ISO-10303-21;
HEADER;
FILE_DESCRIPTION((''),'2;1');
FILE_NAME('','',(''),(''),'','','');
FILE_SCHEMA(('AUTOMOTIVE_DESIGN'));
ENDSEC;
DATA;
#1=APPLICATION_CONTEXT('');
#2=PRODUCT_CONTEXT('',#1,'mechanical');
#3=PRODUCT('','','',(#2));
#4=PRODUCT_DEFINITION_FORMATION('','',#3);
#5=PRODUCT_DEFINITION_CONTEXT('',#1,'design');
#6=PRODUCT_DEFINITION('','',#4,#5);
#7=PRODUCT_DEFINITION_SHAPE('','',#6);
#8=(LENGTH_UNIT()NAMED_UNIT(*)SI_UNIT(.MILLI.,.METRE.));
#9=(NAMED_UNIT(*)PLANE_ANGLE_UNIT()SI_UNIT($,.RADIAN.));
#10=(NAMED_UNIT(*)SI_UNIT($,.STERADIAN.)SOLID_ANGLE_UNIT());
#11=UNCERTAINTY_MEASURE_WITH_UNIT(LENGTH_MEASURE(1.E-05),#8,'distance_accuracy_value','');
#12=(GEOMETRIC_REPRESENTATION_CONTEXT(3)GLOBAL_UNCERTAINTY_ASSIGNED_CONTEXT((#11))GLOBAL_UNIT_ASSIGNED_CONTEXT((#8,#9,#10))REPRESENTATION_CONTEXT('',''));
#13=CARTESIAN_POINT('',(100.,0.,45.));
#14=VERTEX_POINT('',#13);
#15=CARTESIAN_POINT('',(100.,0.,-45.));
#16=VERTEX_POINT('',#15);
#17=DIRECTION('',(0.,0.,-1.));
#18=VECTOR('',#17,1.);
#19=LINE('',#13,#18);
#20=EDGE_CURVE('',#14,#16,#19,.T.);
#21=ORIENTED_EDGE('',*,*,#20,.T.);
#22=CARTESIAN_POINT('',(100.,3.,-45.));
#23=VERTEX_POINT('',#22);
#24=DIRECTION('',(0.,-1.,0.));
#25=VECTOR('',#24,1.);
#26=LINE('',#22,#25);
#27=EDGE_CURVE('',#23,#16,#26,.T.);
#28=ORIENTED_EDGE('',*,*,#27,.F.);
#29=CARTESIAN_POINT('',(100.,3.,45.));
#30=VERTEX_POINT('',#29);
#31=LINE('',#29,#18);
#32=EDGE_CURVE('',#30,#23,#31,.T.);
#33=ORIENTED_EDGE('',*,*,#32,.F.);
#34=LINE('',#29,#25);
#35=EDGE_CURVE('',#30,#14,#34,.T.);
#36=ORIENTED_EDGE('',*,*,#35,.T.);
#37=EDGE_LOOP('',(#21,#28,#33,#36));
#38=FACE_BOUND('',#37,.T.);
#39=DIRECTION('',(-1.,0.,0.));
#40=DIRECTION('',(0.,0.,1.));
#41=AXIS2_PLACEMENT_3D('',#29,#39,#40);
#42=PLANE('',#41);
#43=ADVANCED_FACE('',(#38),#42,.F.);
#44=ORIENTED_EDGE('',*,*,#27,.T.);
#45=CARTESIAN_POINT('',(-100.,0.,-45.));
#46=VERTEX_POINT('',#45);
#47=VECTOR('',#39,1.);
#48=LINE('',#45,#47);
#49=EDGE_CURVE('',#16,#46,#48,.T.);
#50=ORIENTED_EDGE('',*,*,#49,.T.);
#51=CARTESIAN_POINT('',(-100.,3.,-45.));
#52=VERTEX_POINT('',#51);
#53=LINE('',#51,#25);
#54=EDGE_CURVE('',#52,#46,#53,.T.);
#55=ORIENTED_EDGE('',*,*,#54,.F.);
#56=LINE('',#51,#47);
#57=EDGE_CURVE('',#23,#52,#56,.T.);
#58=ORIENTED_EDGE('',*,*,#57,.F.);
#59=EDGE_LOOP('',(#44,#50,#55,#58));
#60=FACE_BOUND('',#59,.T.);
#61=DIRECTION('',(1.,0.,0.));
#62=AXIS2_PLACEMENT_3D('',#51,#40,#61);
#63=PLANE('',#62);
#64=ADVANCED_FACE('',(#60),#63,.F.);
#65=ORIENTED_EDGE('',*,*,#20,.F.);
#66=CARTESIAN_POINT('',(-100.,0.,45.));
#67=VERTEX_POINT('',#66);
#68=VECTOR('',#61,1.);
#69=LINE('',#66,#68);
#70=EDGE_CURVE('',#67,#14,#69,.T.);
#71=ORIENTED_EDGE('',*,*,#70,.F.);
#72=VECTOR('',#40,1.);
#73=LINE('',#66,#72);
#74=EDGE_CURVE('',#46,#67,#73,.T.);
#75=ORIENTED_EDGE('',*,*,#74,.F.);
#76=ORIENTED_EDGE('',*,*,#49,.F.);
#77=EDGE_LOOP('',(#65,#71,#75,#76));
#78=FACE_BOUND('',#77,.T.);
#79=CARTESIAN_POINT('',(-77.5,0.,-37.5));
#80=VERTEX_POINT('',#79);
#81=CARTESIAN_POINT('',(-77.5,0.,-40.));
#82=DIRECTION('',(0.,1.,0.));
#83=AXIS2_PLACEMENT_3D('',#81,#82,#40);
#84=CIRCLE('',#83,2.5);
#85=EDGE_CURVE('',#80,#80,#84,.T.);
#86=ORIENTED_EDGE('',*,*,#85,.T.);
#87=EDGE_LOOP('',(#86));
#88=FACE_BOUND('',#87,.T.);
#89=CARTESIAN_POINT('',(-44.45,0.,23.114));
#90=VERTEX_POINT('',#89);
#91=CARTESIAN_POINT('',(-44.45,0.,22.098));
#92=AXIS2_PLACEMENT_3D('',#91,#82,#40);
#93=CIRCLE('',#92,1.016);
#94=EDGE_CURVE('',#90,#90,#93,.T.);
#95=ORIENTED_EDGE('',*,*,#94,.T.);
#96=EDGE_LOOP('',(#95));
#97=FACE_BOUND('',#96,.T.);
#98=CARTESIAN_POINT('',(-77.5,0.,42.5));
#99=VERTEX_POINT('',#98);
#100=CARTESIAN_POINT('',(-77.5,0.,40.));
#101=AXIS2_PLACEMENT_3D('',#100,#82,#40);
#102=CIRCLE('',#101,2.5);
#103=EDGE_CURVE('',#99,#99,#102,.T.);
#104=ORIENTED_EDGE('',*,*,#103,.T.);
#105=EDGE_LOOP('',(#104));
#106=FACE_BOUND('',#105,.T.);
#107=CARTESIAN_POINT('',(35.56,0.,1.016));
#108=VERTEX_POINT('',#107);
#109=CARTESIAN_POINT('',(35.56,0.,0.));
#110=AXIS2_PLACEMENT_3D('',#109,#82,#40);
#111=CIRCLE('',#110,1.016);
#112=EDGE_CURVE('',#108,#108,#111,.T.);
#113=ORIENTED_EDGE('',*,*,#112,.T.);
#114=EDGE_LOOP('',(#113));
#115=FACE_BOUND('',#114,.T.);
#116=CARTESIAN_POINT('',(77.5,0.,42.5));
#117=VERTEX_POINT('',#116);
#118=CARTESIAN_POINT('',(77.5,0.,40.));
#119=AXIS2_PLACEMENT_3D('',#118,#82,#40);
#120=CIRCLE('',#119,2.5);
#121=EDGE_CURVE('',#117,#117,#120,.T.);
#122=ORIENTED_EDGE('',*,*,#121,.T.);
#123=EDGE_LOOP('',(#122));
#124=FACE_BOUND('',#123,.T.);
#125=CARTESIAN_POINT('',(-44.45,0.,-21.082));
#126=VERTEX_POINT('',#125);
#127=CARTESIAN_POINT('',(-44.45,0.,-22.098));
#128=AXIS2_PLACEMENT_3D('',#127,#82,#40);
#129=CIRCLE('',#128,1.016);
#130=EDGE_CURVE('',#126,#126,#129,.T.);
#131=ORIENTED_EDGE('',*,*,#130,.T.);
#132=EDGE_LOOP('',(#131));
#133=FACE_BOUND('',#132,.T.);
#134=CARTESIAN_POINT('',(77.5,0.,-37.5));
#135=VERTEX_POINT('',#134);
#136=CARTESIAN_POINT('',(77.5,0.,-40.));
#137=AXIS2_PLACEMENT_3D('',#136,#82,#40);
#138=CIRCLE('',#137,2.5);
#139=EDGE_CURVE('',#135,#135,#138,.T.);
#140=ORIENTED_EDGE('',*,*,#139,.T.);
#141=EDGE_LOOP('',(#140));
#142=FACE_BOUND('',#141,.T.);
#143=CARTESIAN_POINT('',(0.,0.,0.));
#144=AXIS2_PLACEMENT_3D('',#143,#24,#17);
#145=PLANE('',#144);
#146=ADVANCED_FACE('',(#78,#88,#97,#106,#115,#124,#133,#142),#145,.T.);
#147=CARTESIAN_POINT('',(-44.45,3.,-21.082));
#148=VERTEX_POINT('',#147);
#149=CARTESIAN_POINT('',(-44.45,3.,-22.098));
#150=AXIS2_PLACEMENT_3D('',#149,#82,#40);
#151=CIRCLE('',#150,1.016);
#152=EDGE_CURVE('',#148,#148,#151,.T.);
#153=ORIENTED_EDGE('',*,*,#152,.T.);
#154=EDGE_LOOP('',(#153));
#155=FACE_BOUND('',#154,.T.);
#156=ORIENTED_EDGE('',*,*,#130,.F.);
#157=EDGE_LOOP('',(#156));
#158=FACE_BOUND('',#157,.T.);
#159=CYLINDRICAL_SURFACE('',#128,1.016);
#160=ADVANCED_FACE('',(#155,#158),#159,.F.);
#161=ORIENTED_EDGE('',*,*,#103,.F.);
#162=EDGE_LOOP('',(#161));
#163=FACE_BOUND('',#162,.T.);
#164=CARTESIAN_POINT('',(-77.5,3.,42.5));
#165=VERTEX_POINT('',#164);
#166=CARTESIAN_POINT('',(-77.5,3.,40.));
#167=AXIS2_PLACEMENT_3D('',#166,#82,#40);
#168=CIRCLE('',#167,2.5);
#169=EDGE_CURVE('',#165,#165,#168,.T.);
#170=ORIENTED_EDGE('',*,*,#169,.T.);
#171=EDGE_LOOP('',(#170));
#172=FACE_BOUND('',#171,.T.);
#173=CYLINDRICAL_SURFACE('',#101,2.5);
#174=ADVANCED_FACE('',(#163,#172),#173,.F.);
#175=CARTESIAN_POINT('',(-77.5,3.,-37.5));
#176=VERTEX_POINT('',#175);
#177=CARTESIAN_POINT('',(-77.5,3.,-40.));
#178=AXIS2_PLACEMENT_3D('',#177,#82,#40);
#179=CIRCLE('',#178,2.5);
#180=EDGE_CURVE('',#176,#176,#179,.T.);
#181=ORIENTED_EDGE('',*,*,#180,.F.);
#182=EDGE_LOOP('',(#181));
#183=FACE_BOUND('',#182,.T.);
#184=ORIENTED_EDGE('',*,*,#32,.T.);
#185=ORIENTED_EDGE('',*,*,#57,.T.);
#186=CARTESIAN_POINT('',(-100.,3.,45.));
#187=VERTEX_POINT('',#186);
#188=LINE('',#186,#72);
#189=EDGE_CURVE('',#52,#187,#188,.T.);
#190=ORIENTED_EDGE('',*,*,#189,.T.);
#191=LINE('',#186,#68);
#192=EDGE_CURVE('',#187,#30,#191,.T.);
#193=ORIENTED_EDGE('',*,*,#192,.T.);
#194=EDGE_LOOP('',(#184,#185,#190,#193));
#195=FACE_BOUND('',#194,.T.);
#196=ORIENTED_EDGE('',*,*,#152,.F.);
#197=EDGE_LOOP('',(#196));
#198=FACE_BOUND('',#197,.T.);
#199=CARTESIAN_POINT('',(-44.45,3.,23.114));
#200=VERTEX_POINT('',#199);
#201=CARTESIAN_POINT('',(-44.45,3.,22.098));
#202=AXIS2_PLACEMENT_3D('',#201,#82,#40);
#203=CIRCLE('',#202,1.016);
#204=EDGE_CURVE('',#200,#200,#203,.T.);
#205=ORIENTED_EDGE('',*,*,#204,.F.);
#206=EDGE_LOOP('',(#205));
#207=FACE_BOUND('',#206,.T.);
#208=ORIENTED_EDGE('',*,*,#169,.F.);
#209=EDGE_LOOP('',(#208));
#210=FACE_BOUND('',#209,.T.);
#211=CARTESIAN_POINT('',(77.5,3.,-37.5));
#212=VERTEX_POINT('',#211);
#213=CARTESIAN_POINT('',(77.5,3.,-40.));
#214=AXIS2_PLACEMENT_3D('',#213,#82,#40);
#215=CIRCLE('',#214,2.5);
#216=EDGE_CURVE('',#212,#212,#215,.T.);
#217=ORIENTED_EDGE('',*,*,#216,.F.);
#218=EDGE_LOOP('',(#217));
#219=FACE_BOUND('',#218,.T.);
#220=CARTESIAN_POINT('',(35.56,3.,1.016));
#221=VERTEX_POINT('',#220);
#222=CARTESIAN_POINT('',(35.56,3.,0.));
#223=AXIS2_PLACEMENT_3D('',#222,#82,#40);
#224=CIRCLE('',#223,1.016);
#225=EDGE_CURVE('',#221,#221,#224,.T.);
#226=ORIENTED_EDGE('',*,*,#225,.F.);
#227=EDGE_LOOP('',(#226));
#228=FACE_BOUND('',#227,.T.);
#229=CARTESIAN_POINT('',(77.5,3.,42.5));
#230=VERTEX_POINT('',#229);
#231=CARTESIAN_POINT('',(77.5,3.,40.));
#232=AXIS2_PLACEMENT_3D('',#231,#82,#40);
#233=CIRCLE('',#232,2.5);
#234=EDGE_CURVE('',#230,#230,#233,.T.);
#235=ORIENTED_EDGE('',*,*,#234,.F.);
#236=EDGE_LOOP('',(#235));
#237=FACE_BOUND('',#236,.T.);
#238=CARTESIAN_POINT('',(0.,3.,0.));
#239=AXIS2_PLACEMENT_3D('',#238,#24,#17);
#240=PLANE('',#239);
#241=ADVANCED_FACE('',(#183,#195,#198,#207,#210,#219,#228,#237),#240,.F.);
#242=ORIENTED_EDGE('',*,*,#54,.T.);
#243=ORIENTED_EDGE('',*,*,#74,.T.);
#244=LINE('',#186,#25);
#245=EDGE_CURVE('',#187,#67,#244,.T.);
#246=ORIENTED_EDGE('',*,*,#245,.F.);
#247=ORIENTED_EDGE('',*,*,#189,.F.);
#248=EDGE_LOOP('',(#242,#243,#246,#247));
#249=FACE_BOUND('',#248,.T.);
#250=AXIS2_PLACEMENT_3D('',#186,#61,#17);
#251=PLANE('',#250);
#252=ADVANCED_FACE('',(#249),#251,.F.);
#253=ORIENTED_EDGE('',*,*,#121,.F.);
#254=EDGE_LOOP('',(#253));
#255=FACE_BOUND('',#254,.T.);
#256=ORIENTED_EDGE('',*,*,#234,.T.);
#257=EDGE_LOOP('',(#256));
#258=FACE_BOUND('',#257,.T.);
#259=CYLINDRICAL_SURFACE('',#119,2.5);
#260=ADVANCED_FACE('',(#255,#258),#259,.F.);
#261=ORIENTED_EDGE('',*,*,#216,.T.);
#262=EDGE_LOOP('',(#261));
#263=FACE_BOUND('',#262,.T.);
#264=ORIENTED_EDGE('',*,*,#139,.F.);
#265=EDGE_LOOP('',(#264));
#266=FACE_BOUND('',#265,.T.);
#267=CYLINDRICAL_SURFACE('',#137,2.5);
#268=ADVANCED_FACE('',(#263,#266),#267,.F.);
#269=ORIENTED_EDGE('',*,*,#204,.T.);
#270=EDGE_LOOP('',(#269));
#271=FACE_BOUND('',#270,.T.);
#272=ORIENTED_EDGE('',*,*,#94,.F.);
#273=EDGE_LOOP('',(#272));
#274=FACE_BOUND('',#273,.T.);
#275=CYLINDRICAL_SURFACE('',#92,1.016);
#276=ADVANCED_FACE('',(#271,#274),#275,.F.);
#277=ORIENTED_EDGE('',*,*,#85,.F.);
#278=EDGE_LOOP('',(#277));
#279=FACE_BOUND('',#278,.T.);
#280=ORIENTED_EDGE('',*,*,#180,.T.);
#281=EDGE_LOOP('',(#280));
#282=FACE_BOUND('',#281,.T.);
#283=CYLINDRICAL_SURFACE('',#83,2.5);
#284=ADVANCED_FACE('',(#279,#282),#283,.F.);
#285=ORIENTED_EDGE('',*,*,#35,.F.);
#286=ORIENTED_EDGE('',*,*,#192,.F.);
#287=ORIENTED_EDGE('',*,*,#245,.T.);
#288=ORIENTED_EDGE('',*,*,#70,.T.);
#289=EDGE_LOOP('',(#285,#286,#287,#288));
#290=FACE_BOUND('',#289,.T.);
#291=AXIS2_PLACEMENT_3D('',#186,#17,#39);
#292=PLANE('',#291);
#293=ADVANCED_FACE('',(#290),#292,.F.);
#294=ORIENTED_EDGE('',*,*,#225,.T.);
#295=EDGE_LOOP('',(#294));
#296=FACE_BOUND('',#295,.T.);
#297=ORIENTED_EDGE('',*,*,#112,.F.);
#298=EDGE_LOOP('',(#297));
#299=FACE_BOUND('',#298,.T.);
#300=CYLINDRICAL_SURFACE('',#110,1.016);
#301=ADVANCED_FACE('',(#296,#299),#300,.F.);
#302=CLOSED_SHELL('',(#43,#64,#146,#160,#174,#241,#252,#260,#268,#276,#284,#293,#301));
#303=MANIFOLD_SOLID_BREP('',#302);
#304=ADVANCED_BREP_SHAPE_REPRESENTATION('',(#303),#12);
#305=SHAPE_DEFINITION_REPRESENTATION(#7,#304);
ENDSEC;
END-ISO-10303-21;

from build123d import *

# Parameters (mm, degrees)
SKETCH1_W           = 200
SKETCH1_H           = 90
BOSS_EXTRUDE1_DEPTH = 3
SKETCH2_R           = 2.5
CUT_EXTRUDE1_DEPTH  = 4
SKETCH3_R           = 1.016
CUT_EXTRUDE2_DEPTH  = 4


with BuildPart() as part:
    # Sketch1 → Boss-Extrude1 (new body)
    with BuildSketch(Plane(origin=(0, 0, 0), x_dir=(1, 0, 0), z_dir=(0, 1, 0))):
        Rectangle(SKETCH1_W, SKETCH1_H)
    extrude(amount=BOSS_EXTRUDE1_DEPTH)

    # Sketch2 → Cut-Extrude1 (cut, through all)
    with BuildSketch(Plane(origin=(0, 3, 0), x_dir=(1, 0, 0), z_dir=(0, 1, 0))):
        with Locations((-77.5, 40)):
            Circle(SKETCH2_R)
        with Locations((77.5, 40)):
            Circle(SKETCH2_R)
        with Locations((77.5, -40)):
            Circle(SKETCH2_R)
        with Locations((-77.5, -40)):
            Circle(SKETCH2_R)
    extrude(amount=-CUT_EXTRUDE1_DEPTH, mode=Mode.SUBTRACT)

    # Sketch3 → Cut-Extrude2 (cut, through all)
    with BuildSketch(Plane(origin=(0, 3, 0), x_dir=(1, 0, 0), z_dir=(0, 1, 0))):
        with Locations((-44.45, 22.098)):
            Circle(SKETCH3_R)
        with Locations((-44.45, -22.098)):
            Circle(SKETCH3_R)
        with Locations((35.56, 0)):
            Circle(SKETCH3_R)
    extrude(amount=-CUT_EXTRUDE2_DEPTH, mode=Mode.SUBTRACT)


solid = part.part
